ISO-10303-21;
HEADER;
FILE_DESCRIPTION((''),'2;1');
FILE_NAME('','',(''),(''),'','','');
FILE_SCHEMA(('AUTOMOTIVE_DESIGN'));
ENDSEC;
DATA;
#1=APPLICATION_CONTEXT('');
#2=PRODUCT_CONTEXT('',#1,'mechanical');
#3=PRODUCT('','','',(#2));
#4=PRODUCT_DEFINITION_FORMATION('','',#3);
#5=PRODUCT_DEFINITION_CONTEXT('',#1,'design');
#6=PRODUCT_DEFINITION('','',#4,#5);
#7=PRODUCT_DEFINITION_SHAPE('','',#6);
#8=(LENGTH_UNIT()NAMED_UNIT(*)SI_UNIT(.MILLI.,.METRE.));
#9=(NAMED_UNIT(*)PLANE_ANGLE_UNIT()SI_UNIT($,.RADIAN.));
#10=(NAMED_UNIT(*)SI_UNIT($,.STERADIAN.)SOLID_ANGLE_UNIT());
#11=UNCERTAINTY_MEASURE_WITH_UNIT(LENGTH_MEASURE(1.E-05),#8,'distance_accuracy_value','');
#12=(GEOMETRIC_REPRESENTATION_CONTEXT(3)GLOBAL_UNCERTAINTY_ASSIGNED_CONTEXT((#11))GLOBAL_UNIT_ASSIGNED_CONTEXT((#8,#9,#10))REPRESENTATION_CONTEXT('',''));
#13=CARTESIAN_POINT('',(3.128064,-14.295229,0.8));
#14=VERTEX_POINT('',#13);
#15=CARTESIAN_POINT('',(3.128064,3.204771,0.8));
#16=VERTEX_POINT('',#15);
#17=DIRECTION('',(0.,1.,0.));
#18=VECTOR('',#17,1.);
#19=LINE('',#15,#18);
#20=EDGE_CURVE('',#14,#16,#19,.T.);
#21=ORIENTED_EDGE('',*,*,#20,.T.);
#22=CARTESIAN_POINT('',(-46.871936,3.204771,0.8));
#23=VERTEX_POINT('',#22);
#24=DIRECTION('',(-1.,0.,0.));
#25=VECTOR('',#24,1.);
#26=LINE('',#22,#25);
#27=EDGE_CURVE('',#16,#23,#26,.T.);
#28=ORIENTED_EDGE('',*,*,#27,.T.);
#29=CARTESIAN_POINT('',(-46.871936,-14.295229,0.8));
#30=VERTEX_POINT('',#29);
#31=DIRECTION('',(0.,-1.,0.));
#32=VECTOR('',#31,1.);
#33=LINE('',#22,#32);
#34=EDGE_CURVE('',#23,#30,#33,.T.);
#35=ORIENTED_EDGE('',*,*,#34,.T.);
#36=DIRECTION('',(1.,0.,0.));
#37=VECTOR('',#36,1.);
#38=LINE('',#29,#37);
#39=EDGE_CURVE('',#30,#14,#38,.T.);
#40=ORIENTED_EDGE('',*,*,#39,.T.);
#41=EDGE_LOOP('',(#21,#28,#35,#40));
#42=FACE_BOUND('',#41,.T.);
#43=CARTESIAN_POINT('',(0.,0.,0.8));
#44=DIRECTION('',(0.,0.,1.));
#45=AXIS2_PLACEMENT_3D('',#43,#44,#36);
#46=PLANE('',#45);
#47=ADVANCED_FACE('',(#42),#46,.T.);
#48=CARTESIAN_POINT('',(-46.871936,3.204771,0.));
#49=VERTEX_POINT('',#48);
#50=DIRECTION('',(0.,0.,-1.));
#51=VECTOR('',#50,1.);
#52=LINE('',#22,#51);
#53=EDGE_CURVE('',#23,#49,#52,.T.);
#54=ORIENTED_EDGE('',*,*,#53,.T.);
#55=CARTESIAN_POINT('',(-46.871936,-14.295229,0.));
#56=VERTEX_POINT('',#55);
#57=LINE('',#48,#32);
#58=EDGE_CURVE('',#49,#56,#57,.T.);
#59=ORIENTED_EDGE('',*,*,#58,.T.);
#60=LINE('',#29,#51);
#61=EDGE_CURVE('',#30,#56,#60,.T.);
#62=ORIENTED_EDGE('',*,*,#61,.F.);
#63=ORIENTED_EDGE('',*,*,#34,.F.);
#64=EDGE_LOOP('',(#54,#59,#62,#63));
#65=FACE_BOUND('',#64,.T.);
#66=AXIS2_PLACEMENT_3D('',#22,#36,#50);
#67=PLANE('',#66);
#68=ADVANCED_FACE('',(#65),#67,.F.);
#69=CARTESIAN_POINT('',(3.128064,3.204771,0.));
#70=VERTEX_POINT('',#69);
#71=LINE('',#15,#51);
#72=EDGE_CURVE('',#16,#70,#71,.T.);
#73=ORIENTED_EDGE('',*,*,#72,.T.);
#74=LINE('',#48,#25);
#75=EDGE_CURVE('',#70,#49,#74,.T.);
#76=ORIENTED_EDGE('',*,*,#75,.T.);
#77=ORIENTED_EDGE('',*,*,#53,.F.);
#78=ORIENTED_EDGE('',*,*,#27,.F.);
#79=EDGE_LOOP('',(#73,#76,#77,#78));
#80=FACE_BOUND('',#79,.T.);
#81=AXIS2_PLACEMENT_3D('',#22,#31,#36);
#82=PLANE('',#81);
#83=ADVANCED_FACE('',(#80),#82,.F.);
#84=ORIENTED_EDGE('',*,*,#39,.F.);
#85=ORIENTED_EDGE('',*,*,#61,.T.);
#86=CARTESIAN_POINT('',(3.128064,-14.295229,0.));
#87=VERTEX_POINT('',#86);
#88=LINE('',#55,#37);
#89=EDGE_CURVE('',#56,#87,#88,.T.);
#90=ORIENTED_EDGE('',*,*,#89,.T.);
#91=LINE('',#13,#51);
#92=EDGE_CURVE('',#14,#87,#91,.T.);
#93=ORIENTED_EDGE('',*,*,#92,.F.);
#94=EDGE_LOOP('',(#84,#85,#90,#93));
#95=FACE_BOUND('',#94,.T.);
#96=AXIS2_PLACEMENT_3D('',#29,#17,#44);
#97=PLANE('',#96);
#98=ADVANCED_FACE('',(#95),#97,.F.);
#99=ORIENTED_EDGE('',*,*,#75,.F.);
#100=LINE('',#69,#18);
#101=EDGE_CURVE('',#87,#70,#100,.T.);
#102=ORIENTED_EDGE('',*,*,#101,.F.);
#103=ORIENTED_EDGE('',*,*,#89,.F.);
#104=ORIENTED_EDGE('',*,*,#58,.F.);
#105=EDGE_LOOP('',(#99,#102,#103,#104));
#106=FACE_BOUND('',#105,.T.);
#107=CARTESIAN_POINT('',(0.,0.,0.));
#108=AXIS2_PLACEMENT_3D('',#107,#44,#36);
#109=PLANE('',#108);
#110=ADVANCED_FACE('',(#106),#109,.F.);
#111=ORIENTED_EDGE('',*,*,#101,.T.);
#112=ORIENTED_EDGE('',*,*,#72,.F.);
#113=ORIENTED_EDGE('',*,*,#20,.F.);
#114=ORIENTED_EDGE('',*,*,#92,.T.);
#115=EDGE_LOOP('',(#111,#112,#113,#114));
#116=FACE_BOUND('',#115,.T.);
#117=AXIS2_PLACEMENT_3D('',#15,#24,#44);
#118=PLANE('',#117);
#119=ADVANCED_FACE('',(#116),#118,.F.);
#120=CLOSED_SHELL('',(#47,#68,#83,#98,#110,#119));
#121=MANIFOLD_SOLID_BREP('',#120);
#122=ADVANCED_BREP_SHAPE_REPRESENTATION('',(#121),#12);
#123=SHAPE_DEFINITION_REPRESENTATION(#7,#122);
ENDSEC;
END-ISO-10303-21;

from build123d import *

# Parameters (mm, degrees)
SKETCH_1_W      = 50
SKETCH_1_H      = 17.5
EXTRUDE_1_DEPTH = 0.8


with BuildPart() as part:
    # 草图1 → 凸台-拉伸1 (new body)
    with BuildSketch(Plane.XY):
        with Locations((-21.871935867, -5.54522911)):
            Rectangle(SKETCH_1_W, SKETCH_1_H)
    extrude(amount=EXTRUDE_1_DEPTH)


solid = part.part
